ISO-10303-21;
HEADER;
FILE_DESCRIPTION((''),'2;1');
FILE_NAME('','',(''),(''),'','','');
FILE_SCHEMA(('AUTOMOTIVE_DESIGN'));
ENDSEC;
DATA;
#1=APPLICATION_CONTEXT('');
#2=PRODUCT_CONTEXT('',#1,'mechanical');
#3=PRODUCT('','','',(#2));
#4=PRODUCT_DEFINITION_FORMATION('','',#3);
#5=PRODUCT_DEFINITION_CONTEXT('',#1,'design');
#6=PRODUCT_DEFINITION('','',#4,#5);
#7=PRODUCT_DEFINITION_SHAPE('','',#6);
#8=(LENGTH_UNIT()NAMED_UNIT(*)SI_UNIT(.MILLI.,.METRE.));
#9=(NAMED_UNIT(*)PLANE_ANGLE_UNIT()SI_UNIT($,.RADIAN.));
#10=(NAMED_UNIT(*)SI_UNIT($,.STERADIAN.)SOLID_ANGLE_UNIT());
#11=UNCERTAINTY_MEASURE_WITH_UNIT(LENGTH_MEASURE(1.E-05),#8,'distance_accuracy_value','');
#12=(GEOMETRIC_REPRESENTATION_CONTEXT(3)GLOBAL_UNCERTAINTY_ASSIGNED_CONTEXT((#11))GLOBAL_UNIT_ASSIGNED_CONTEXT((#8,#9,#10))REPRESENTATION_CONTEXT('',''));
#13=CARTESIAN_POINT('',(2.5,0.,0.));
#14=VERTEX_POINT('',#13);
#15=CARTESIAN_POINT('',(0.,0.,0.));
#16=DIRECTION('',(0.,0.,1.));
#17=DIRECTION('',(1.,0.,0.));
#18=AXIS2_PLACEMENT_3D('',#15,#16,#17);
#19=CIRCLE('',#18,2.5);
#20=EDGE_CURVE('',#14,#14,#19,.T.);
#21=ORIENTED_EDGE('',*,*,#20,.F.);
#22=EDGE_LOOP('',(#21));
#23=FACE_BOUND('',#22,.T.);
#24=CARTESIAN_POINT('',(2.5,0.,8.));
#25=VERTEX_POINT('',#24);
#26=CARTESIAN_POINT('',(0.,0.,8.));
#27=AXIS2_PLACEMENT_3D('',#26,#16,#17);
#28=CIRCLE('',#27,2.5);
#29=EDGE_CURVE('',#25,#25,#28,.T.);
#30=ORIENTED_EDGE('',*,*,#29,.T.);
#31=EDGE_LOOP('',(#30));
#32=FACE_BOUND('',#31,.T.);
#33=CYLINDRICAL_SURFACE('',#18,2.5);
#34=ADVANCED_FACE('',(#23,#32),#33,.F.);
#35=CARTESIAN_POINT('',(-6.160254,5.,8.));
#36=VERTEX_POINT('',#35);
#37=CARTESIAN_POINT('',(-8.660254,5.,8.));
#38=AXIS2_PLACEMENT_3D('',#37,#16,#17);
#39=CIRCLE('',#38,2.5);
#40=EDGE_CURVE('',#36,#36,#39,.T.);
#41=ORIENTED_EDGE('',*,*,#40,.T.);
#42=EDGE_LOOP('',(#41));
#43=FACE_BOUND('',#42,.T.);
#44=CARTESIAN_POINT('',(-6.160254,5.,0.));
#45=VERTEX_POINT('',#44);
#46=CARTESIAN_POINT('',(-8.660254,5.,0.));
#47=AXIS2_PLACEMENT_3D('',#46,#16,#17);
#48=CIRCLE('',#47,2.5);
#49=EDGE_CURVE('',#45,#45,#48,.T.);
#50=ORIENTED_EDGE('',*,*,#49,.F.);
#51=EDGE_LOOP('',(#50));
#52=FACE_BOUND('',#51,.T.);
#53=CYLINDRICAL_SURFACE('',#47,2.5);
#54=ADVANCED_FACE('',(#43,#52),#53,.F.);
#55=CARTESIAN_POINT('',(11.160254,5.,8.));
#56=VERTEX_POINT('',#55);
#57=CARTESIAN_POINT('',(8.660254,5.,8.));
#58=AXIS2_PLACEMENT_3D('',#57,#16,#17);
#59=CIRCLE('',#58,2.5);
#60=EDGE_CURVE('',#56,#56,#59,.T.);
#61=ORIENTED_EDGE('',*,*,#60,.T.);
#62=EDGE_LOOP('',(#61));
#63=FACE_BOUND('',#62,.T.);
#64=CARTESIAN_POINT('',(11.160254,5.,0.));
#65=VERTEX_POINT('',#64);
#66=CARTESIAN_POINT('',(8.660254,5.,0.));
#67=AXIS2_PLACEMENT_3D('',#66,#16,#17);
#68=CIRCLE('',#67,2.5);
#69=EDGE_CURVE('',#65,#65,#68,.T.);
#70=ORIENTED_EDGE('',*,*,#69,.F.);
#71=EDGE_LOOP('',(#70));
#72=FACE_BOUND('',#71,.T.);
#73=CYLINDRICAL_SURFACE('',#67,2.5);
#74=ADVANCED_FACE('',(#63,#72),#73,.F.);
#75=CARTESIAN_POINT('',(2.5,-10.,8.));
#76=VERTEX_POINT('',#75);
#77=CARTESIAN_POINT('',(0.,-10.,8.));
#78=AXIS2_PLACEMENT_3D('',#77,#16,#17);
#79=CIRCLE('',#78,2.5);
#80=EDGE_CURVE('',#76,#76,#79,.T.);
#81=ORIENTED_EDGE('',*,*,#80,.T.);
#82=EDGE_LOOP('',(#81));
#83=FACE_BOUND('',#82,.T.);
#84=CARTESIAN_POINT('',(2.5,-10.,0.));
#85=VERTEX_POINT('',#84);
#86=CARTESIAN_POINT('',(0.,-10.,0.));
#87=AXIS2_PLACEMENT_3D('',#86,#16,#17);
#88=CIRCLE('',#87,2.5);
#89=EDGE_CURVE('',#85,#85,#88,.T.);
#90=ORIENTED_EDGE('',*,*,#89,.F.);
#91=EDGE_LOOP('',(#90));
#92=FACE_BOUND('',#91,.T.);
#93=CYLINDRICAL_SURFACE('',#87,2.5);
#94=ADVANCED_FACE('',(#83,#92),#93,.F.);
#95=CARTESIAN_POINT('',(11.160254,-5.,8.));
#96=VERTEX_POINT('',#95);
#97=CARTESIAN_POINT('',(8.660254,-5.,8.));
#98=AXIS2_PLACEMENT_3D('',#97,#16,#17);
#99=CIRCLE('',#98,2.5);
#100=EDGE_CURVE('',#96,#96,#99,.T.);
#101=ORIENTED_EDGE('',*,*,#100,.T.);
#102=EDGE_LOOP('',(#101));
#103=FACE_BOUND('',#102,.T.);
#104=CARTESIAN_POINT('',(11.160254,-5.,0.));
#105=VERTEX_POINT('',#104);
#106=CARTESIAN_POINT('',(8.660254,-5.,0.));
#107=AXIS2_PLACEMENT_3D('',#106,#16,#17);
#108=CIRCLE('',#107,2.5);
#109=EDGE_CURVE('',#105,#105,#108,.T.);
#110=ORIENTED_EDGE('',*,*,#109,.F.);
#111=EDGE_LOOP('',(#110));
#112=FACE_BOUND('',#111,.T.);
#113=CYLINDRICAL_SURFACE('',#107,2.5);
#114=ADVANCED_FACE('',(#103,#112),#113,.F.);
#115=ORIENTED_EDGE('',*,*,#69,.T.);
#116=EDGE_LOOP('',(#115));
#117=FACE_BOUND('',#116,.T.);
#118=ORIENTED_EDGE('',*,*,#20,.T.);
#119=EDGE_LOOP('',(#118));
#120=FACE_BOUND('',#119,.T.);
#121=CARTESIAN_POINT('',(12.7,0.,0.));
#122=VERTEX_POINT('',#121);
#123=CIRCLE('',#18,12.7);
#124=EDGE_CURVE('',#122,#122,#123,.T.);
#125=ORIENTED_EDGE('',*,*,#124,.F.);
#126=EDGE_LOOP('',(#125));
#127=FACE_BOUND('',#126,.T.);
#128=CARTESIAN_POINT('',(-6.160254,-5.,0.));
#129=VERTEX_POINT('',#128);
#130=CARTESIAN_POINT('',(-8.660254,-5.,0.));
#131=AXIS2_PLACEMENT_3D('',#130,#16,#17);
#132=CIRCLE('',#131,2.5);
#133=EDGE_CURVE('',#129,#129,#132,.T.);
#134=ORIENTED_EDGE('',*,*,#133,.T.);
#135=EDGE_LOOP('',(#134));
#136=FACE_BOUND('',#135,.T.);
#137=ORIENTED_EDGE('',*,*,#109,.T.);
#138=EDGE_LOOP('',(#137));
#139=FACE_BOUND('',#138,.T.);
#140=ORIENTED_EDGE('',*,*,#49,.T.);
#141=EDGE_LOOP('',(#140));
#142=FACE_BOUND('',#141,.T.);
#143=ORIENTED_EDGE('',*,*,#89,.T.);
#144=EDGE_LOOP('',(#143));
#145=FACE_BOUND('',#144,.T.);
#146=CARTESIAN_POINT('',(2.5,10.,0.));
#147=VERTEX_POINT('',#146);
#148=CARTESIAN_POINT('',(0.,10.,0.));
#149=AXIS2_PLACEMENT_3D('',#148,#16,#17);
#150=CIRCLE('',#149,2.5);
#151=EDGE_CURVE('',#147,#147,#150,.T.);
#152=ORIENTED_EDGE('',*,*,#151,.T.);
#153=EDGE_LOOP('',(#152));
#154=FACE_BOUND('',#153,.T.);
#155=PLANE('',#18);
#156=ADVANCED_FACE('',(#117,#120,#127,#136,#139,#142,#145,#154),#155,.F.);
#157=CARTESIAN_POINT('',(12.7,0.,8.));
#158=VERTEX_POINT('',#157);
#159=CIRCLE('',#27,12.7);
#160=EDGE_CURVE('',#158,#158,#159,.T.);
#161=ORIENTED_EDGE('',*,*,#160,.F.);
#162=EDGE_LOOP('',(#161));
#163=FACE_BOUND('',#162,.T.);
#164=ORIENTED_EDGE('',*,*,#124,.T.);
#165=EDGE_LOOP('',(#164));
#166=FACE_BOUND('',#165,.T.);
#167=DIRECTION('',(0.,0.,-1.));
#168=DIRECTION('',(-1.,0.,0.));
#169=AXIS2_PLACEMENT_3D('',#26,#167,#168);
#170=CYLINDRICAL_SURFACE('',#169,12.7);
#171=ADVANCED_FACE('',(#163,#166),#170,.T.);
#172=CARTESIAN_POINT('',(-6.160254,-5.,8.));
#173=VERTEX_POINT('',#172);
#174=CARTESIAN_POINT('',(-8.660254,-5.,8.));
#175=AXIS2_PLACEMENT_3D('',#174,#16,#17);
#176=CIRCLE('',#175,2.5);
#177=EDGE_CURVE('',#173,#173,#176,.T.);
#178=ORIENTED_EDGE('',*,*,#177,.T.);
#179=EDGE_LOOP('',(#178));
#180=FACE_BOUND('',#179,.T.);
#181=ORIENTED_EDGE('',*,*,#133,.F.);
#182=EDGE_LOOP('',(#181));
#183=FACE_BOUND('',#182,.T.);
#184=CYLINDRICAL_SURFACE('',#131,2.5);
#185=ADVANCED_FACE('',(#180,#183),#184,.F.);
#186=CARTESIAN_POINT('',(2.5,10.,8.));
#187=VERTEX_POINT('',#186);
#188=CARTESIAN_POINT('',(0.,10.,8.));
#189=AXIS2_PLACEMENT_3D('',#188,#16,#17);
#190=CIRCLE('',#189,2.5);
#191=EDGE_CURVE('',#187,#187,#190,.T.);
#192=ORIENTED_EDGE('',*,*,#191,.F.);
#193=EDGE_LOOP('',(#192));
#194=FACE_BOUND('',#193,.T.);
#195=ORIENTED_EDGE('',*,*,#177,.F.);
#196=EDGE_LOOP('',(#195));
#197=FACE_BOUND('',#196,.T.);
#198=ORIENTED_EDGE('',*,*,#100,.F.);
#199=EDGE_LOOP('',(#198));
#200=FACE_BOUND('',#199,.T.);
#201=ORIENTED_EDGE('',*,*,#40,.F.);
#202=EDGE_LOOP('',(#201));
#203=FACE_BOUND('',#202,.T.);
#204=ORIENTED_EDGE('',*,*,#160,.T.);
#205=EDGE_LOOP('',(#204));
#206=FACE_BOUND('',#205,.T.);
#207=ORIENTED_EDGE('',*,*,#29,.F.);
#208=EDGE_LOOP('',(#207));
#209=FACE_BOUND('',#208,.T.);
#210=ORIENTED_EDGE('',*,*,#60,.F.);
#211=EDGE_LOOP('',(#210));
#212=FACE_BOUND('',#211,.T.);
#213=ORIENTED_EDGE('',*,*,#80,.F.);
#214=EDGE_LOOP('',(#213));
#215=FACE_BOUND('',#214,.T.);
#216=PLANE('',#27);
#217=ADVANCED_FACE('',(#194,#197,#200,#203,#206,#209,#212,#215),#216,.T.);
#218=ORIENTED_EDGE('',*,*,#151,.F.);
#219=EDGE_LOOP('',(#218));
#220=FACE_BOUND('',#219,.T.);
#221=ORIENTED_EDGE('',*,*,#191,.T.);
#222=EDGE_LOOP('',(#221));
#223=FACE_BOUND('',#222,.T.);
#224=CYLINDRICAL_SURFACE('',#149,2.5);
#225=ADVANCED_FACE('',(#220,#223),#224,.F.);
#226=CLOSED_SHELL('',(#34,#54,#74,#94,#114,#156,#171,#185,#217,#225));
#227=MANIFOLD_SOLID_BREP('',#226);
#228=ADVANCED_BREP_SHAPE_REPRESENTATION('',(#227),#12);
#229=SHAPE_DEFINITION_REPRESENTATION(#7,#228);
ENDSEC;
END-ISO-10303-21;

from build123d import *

# Parameters (mm, degrees)
SKETCH1_R           = 12.7
BOSS_EXTRUDE1_DEPTH = 8
SKETCH2_R           = 2.5
CUT_EXTRUDE1_DEPTH  = 8


with BuildPart() as part:
    # Sketch1 → Boss-Extrude1 (new body)
    with BuildSketch(Plane.XY):
        Circle(SKETCH1_R)
    extrude(amount=BOSS_EXTRUDE1_DEPTH)

    # Sketch2 → Cut-Extrude1 (cut)
    with BuildSketch(Plane.XY.offset(8)):
        with Locations((0, 10)):
            Circle(SKETCH2_R)
        with Locations((8.660254038, 5)):
            Circle(SKETCH2_R)
        with Locations((8.660254038, -5)):
            Circle(SKETCH2_R)
        with Locations((0, -10)):
            Circle(SKETCH2_R)
        with Locations((-8.660254038, -5)):
            Circle(SKETCH2_R)
        with Locations((-8.660254038, 5)):
            Circle(SKETCH2_R)
        Circle(SKETCH2_R)
    extrude(amount=-CUT_EXTRUDE1_DEPTH, mode=Mode.SUBTRACT)


solid = part.part
